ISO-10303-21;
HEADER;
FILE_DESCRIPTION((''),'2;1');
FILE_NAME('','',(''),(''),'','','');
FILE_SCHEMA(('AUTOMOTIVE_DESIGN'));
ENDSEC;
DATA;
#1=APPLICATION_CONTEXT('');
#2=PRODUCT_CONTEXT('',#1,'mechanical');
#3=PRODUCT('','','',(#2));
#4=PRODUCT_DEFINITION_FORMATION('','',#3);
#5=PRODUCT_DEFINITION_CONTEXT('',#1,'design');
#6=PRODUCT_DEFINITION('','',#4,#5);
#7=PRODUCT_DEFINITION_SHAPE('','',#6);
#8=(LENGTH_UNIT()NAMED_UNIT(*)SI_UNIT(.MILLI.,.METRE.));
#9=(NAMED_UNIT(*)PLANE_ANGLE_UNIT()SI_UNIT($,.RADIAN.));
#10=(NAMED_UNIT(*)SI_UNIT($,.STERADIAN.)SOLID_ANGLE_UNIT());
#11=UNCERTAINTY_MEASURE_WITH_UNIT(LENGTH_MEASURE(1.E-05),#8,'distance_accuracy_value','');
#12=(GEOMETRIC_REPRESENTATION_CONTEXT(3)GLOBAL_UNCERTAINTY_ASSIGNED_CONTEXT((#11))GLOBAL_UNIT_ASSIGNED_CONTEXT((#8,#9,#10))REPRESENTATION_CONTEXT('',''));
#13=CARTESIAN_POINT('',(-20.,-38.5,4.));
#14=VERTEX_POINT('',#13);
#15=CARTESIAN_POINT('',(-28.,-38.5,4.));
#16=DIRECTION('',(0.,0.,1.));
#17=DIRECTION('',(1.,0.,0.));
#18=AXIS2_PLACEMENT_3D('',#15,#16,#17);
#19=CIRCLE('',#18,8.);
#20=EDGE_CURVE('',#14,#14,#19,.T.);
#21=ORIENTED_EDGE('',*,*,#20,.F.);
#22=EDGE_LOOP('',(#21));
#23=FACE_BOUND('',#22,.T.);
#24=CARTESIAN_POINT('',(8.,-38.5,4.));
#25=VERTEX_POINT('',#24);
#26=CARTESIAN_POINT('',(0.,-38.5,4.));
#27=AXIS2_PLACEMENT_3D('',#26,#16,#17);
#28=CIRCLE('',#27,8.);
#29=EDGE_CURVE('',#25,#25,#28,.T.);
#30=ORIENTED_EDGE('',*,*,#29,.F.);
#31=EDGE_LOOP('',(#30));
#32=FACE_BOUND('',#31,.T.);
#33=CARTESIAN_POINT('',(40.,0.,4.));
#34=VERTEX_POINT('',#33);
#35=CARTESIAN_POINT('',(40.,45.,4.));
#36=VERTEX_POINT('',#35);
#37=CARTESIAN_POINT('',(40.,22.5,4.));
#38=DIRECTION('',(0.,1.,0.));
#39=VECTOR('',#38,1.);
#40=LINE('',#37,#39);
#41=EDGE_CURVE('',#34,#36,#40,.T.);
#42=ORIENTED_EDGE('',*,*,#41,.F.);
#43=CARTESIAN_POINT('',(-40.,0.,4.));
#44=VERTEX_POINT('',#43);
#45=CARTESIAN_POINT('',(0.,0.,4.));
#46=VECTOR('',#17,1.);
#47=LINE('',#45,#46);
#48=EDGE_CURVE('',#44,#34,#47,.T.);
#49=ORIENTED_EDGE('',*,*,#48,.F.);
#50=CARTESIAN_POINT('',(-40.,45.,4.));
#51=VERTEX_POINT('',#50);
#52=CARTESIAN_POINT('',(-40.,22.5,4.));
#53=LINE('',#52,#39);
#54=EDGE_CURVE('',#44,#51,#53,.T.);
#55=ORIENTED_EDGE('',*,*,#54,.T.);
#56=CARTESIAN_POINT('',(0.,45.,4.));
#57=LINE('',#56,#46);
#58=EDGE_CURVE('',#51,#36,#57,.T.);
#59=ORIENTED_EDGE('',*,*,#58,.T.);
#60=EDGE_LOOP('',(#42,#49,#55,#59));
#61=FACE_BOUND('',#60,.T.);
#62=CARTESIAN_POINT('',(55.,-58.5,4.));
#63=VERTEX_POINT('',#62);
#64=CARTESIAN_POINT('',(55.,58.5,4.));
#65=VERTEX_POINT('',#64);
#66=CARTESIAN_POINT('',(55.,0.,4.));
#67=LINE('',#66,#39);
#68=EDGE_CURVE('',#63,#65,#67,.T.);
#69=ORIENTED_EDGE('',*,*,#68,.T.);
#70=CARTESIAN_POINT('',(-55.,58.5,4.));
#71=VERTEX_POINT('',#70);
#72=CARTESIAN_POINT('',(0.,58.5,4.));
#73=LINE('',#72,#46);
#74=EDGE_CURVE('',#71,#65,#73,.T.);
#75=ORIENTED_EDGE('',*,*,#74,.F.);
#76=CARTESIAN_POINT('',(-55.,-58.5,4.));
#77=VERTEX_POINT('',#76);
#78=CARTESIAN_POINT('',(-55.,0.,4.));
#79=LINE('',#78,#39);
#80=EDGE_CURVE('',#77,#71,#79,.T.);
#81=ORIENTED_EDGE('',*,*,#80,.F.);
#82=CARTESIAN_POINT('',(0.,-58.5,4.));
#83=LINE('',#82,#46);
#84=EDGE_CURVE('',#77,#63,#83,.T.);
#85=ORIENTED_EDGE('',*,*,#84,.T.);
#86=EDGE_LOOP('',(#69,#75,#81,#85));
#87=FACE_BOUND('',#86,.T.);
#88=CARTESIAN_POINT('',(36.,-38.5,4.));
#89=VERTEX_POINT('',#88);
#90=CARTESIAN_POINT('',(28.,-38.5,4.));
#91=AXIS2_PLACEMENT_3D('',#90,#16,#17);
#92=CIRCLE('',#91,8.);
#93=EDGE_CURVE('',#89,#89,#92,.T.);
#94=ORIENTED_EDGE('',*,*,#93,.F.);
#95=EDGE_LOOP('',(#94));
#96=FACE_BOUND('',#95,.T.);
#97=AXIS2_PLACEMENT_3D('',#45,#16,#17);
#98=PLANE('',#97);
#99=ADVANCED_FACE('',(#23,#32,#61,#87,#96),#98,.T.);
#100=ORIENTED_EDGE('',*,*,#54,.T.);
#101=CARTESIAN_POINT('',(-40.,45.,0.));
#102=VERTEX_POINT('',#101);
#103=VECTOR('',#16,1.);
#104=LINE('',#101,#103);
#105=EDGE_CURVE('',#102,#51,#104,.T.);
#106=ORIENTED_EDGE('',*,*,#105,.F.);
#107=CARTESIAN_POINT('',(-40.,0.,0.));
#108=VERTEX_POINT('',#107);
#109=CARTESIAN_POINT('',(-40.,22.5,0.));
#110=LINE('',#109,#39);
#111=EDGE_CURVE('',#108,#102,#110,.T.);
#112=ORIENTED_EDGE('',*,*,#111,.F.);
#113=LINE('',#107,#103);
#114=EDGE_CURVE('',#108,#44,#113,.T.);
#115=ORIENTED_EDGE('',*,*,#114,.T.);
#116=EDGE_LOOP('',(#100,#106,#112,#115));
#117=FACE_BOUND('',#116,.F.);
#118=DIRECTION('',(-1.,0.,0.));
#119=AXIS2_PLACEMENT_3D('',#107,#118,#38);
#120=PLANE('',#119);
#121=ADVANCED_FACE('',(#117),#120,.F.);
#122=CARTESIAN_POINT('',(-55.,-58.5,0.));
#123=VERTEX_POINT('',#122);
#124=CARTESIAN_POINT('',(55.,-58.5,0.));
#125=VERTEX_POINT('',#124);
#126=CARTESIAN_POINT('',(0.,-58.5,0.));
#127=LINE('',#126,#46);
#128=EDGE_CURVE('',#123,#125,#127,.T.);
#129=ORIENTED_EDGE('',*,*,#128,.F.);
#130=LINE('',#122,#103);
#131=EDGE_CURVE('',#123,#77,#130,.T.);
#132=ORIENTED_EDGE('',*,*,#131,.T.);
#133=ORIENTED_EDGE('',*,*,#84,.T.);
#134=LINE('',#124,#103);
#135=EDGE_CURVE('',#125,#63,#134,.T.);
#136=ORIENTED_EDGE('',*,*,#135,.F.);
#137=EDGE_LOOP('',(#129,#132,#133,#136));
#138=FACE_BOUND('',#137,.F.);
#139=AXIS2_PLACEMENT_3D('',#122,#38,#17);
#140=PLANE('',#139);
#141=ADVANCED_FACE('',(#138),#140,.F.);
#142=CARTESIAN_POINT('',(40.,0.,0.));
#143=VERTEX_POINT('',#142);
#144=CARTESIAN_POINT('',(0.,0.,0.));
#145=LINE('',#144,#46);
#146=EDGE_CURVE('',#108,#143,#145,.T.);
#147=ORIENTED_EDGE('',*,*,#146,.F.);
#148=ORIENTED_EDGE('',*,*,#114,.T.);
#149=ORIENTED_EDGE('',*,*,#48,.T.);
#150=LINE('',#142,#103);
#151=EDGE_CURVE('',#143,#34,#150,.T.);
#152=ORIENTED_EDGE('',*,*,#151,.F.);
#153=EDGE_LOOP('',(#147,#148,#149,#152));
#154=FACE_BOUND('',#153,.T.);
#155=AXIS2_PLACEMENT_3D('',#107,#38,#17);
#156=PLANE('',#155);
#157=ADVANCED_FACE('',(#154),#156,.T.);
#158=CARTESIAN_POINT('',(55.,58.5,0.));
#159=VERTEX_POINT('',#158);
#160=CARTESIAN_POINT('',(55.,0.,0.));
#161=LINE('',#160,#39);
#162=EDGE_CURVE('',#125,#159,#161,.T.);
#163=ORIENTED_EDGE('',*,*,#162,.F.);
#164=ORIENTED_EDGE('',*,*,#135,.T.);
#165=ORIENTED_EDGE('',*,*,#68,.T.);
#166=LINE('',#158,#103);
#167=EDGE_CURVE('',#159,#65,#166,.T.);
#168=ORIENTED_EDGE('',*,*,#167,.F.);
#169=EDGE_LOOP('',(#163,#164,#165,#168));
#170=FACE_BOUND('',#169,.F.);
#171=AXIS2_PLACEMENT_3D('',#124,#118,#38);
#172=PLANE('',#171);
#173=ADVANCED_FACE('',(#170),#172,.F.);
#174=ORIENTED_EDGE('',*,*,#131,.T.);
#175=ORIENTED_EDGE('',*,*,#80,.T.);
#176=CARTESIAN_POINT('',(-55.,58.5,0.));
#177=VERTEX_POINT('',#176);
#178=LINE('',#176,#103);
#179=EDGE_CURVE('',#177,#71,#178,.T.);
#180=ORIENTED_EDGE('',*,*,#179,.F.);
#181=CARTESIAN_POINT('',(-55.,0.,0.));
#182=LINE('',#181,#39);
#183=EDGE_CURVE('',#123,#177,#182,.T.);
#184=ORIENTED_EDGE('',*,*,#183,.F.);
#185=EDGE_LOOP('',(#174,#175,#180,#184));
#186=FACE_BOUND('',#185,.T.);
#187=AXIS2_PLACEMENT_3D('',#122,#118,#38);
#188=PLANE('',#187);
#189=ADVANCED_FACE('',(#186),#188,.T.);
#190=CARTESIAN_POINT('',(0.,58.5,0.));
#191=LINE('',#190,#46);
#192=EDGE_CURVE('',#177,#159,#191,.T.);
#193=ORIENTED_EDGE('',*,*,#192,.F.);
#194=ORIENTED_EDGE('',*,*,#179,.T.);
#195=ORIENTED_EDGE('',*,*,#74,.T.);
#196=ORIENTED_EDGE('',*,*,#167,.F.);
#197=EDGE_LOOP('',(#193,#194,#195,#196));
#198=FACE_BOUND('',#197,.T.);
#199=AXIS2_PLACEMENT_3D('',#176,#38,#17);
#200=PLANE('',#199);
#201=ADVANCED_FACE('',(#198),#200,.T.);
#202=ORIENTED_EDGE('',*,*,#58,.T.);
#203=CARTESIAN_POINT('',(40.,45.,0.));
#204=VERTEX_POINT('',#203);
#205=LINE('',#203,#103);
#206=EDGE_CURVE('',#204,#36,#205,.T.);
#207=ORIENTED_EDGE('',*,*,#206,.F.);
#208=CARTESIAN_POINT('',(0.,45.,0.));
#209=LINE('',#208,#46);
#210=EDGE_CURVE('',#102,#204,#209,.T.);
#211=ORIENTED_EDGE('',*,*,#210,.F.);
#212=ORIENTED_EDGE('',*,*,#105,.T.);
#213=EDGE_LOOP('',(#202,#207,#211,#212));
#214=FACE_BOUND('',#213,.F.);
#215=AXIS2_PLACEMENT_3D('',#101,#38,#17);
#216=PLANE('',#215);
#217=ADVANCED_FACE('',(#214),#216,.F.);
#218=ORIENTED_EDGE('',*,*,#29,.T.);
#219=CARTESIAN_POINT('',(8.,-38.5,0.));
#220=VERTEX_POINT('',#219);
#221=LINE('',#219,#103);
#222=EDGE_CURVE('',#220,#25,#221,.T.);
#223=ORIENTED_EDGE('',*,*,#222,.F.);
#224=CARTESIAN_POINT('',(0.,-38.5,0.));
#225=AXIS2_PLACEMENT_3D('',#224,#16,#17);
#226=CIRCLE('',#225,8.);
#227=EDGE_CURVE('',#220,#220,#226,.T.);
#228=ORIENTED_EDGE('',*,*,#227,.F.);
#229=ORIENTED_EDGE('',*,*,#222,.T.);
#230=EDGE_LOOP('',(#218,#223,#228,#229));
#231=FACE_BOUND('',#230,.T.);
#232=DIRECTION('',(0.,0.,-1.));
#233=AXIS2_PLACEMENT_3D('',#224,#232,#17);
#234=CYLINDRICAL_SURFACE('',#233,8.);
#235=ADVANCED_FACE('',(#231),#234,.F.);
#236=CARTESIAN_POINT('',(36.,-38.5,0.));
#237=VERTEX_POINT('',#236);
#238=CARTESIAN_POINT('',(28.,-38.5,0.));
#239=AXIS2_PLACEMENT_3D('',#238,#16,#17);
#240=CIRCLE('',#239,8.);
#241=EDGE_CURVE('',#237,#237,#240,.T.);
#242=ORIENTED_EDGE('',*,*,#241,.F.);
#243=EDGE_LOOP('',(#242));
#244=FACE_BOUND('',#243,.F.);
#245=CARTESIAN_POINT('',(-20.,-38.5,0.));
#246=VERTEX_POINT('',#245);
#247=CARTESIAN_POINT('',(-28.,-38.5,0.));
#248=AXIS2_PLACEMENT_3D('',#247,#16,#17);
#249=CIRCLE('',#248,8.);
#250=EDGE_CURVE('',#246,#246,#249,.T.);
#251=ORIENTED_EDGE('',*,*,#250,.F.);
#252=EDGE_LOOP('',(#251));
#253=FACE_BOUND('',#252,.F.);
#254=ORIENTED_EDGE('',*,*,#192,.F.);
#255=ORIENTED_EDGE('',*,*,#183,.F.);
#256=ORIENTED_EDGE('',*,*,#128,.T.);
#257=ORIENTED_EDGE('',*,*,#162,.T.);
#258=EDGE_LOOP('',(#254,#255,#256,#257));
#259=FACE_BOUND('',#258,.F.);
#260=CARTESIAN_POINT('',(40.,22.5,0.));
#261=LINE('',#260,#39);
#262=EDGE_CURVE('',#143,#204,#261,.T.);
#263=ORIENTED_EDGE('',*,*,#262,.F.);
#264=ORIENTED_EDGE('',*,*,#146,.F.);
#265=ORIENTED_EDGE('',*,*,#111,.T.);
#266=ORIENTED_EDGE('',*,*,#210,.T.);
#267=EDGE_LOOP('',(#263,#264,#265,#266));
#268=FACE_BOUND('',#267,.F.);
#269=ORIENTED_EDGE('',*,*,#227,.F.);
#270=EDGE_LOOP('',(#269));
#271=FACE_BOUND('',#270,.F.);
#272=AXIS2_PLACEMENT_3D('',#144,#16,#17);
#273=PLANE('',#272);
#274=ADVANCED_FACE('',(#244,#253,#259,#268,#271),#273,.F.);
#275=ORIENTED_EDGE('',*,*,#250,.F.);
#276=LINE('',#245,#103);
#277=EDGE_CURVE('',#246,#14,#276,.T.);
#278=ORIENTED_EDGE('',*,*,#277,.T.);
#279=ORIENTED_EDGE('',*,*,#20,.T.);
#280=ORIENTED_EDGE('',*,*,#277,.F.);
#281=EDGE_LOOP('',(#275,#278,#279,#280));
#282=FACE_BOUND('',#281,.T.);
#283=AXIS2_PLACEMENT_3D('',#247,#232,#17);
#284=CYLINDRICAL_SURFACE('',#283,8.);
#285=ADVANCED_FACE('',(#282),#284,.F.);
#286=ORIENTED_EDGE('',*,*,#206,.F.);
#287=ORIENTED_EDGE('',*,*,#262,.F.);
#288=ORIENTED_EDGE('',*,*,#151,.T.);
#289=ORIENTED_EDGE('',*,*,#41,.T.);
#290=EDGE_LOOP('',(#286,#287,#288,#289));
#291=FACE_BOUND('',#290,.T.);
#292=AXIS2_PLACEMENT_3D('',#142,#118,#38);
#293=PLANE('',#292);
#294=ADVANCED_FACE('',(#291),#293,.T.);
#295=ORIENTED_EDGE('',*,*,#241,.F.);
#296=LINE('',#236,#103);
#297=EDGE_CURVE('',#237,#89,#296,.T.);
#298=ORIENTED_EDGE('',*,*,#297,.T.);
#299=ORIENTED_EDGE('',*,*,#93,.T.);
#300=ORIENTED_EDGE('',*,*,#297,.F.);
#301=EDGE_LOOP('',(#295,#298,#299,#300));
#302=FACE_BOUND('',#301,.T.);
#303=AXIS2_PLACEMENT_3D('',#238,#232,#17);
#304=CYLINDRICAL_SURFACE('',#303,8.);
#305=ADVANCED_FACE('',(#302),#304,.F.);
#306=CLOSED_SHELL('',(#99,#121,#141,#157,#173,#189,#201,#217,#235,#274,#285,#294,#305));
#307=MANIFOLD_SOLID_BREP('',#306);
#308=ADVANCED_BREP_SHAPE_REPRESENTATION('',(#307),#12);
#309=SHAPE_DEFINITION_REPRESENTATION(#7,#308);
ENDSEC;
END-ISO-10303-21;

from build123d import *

# Parameters (mm, degrees)
SKETCH_W   = 110
SKETCH_H   = 117
SKETCH_R   = 8
SKETCH_W_2 = 80
SKETCH_H_2 = 45
PAD_DEPTH  = 4


with BuildPart() as part:
    # Sketch → Pad (new body)
    with BuildSketch(Plane.XY):
        Rectangle(SKETCH_W, SKETCH_H)
        with Locations((0, -38.5)):
            Circle(SKETCH_R, mode=Mode.SUBTRACT)
        with Locations((-28, -38.5)):
            Circle(SKETCH_R, mode=Mode.SUBTRACT)
        with Locations((28, -38.5)):
            Circle(SKETCH_R, mode=Mode.SUBTRACT)
        with Locations((0, 22.5)):
            Rectangle(SKETCH_W_2, SKETCH_H_2, mode=Mode.SUBTRACT)
    extrude(amount=PAD_DEPTH)


solid = part.part
